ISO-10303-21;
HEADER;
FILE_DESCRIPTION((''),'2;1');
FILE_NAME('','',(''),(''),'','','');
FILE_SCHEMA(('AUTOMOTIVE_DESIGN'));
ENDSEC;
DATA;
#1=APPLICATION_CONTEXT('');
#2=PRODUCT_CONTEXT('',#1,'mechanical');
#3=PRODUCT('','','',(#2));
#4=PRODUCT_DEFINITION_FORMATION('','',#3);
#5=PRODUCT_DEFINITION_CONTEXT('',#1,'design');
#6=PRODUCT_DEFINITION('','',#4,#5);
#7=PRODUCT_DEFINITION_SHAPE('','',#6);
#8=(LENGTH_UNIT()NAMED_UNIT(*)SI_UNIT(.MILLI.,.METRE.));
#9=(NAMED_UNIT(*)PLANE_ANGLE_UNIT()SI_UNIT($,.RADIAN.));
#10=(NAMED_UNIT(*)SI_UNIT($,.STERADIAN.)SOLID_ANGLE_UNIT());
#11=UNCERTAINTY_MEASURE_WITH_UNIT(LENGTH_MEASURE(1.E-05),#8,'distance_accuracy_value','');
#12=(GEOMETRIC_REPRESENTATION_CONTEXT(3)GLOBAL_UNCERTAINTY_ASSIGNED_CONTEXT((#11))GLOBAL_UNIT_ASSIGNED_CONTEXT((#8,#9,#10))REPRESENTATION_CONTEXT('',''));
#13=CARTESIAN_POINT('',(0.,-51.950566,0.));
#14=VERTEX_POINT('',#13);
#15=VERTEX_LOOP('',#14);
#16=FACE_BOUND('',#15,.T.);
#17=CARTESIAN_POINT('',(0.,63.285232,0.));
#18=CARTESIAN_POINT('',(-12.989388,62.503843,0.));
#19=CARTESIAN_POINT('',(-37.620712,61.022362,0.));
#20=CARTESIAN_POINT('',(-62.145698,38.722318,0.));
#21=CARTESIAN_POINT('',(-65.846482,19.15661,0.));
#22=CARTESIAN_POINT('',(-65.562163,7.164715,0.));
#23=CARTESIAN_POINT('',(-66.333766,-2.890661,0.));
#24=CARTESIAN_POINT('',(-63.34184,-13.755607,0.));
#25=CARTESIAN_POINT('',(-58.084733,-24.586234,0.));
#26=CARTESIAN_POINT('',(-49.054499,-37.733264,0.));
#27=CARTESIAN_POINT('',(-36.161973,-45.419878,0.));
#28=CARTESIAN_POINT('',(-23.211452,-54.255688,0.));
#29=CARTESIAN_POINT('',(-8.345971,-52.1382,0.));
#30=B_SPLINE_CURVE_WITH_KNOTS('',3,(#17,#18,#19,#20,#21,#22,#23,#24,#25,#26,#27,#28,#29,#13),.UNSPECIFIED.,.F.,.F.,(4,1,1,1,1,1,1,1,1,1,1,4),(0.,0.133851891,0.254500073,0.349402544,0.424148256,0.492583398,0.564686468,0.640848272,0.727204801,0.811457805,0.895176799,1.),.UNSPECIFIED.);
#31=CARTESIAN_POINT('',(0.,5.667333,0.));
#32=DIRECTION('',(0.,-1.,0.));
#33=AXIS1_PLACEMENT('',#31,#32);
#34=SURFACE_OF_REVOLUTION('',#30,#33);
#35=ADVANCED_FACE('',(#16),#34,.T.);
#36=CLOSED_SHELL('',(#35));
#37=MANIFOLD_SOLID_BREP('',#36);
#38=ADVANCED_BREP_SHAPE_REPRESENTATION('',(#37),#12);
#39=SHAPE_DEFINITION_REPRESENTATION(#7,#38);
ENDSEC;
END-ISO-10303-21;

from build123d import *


with BuildPart() as f1:
    # F0 (on Top) → F1 (revolve)
    with BuildSketch(Plane.XY):
        with BuildLine():
            Line((0, -51.9505664706), (0, 63.2852315903))
            add(Edge.make_bspline(
                [(0, 63.2852315903), (-12.9893881363, 62.5038433178), (-37.6207117356, 61.022361523), (-62.1456975541, 38.7223184894), (-65.8464815635, 19.1566102159), (-65.5621630798, 7.1647149035), (-66.3337662565, -2.8906607238), (-63.3418399693, -13.7556068003), (-58.0847329377, -24.5862338405), (-49.054499457, -37.7332641729), (-36.1619732378, -45.4198783746), (-23.2114516334, -54.2556877736), (-8.3459709155, -52.138199707), (0, -51.9505664706)],
                knots=[0, 0, 0, 0, 0.1338518911, 0.2545000725, 0.3494025438, 0.4241482558, 0.4925833984, 0.564686468, 0.6408482723, 0.7272048006, 0.8114578051, 0.8951767989, 1, 1, 1, 1], degree=3))
        make_face()
    revolve(axis=Axis((0, 5.6673325598, 0), (0, -1, 0)))


solid = f1.part
